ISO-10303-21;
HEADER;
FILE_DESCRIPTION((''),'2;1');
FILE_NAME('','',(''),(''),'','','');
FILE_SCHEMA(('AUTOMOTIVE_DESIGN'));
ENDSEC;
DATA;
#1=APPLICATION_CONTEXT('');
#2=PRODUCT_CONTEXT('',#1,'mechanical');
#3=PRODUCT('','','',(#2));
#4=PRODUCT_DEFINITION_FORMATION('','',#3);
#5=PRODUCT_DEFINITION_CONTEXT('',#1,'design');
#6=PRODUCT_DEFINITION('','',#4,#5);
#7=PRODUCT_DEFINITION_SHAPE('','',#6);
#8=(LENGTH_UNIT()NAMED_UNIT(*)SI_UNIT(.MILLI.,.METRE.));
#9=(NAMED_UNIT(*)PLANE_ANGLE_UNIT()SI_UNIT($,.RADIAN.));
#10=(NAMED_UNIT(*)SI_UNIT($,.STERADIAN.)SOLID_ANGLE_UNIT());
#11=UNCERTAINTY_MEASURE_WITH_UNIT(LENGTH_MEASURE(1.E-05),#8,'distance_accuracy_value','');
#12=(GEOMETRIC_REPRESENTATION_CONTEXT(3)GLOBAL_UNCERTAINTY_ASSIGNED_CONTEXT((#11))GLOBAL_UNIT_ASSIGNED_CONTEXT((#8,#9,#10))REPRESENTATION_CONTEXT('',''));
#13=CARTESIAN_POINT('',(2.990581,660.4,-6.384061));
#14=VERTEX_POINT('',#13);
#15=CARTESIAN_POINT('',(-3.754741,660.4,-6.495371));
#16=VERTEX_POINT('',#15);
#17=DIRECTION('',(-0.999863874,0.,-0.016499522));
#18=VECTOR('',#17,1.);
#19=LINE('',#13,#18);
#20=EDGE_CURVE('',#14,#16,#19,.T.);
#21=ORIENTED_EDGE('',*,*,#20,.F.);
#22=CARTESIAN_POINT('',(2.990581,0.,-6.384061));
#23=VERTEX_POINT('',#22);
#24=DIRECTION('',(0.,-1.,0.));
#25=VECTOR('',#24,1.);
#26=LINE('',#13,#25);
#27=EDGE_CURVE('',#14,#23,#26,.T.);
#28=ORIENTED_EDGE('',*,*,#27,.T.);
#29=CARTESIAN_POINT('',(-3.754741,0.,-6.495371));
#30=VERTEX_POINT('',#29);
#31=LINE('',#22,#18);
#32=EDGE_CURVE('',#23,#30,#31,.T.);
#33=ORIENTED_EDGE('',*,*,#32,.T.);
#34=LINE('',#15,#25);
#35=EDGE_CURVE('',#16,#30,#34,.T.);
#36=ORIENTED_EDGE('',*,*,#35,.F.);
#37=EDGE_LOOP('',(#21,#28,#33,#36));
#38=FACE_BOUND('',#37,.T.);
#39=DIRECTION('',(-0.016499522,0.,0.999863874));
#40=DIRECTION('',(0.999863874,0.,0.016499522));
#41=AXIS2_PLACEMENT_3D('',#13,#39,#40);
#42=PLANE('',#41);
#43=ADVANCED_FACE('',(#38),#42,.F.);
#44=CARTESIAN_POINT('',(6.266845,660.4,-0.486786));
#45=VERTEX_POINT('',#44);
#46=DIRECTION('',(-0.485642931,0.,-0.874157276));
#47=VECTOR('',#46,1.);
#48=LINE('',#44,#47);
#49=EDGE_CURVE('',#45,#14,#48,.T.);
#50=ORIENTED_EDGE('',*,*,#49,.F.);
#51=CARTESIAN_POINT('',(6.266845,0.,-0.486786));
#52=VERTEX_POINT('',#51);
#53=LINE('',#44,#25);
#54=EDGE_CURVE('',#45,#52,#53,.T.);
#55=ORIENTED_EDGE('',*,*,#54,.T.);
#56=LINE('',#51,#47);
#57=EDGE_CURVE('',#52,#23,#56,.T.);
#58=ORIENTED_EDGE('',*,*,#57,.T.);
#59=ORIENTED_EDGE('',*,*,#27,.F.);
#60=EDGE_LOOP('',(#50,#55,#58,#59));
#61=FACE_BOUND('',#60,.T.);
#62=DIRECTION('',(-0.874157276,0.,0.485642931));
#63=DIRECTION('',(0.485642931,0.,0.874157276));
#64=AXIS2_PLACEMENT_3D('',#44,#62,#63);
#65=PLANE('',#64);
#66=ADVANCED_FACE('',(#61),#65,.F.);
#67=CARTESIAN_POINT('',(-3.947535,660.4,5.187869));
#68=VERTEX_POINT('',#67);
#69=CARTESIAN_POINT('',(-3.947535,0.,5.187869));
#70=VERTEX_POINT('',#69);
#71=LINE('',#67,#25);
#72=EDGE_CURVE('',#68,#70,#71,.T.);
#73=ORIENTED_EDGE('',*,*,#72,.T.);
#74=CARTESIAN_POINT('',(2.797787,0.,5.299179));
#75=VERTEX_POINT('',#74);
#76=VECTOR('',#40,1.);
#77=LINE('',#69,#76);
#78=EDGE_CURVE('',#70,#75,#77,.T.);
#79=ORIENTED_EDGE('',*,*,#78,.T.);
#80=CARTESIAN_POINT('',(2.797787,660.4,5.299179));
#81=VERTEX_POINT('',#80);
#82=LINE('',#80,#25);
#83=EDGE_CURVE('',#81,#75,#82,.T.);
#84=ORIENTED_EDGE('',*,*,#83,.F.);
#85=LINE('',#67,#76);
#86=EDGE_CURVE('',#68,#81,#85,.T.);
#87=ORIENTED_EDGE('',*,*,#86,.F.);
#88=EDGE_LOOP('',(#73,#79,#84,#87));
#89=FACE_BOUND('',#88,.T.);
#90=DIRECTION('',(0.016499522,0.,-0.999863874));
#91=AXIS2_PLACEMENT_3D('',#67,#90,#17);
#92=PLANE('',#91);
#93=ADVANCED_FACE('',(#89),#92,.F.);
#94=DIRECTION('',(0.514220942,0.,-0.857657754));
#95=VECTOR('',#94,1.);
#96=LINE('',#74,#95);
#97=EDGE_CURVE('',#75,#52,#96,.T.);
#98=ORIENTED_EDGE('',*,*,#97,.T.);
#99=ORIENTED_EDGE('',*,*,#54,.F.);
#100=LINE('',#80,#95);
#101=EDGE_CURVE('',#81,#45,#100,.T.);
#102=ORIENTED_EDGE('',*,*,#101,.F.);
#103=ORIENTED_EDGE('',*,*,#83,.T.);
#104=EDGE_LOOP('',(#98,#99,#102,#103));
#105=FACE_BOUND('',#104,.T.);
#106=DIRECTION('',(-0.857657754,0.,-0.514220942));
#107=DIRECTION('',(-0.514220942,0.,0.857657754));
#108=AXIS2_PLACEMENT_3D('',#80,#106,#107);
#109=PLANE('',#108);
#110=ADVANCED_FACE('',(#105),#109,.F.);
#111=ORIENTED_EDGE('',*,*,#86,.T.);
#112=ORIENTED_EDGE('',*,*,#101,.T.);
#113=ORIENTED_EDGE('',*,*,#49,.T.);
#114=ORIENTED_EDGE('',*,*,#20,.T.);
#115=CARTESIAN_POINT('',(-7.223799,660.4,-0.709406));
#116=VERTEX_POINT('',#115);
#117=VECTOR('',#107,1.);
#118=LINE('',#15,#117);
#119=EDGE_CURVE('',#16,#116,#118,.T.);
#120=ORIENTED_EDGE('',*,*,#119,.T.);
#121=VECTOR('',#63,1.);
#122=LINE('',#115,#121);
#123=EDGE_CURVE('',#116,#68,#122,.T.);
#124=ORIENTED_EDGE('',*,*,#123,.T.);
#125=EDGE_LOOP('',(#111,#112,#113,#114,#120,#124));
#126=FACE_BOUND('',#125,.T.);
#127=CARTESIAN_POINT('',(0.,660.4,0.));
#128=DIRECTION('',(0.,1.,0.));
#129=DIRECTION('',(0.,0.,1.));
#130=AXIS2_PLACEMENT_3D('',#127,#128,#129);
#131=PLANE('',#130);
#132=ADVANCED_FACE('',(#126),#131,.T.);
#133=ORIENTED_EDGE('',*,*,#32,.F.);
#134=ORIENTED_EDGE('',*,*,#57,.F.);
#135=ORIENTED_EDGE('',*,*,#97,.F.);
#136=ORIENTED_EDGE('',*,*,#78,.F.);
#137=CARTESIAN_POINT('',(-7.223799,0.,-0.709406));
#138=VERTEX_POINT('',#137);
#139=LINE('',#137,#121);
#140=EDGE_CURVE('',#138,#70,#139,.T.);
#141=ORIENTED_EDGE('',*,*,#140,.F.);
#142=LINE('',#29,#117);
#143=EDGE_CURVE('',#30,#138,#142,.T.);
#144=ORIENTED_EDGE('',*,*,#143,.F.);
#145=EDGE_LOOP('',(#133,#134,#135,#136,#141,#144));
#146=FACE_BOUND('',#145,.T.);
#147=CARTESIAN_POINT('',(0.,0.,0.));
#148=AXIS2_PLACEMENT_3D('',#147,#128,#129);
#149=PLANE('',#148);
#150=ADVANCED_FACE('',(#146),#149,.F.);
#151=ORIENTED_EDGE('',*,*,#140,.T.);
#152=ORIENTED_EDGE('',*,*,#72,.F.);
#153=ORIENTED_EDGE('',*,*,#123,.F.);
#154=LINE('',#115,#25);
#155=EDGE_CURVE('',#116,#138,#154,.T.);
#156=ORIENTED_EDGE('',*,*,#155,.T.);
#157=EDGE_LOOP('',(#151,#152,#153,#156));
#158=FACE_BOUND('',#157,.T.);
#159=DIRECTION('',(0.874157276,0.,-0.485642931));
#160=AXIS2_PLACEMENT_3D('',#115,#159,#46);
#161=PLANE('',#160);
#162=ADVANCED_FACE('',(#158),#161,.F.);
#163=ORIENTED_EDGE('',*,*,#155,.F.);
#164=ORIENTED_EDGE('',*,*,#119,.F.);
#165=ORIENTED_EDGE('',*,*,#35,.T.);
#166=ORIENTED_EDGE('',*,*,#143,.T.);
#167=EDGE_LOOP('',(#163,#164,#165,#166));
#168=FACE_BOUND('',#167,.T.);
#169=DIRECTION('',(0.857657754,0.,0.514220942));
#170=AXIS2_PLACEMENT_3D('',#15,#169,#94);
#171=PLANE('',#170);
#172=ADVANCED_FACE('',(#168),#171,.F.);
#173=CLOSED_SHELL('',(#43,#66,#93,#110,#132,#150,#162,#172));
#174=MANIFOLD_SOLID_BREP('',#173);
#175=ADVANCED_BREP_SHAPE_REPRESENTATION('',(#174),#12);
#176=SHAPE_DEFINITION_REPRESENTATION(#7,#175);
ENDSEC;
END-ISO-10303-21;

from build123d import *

# Parameters (mm, degrees)
BOSS_EXTRUDE1_DEPTH = 660.4


with BuildPart() as part:
    # Sketch1 → Boss-Extrude1 (new body)
    with BuildSketch(Plane(origin=(0, 0, 0), x_dir=(1, 0, 0), z_dir=(0, 1, 0))):
        Polygon((2.797786838, -5.299178619), (6.266844728, 0.486786425), (2.99058096, 6.384061207), (-3.754740699, 6.495370946), (-7.223798589, 0.709405902), (-3.947534821, -5.187868881), align=None)
    extrude(amount=BOSS_EXTRUDE1_DEPTH)


solid = part.part
